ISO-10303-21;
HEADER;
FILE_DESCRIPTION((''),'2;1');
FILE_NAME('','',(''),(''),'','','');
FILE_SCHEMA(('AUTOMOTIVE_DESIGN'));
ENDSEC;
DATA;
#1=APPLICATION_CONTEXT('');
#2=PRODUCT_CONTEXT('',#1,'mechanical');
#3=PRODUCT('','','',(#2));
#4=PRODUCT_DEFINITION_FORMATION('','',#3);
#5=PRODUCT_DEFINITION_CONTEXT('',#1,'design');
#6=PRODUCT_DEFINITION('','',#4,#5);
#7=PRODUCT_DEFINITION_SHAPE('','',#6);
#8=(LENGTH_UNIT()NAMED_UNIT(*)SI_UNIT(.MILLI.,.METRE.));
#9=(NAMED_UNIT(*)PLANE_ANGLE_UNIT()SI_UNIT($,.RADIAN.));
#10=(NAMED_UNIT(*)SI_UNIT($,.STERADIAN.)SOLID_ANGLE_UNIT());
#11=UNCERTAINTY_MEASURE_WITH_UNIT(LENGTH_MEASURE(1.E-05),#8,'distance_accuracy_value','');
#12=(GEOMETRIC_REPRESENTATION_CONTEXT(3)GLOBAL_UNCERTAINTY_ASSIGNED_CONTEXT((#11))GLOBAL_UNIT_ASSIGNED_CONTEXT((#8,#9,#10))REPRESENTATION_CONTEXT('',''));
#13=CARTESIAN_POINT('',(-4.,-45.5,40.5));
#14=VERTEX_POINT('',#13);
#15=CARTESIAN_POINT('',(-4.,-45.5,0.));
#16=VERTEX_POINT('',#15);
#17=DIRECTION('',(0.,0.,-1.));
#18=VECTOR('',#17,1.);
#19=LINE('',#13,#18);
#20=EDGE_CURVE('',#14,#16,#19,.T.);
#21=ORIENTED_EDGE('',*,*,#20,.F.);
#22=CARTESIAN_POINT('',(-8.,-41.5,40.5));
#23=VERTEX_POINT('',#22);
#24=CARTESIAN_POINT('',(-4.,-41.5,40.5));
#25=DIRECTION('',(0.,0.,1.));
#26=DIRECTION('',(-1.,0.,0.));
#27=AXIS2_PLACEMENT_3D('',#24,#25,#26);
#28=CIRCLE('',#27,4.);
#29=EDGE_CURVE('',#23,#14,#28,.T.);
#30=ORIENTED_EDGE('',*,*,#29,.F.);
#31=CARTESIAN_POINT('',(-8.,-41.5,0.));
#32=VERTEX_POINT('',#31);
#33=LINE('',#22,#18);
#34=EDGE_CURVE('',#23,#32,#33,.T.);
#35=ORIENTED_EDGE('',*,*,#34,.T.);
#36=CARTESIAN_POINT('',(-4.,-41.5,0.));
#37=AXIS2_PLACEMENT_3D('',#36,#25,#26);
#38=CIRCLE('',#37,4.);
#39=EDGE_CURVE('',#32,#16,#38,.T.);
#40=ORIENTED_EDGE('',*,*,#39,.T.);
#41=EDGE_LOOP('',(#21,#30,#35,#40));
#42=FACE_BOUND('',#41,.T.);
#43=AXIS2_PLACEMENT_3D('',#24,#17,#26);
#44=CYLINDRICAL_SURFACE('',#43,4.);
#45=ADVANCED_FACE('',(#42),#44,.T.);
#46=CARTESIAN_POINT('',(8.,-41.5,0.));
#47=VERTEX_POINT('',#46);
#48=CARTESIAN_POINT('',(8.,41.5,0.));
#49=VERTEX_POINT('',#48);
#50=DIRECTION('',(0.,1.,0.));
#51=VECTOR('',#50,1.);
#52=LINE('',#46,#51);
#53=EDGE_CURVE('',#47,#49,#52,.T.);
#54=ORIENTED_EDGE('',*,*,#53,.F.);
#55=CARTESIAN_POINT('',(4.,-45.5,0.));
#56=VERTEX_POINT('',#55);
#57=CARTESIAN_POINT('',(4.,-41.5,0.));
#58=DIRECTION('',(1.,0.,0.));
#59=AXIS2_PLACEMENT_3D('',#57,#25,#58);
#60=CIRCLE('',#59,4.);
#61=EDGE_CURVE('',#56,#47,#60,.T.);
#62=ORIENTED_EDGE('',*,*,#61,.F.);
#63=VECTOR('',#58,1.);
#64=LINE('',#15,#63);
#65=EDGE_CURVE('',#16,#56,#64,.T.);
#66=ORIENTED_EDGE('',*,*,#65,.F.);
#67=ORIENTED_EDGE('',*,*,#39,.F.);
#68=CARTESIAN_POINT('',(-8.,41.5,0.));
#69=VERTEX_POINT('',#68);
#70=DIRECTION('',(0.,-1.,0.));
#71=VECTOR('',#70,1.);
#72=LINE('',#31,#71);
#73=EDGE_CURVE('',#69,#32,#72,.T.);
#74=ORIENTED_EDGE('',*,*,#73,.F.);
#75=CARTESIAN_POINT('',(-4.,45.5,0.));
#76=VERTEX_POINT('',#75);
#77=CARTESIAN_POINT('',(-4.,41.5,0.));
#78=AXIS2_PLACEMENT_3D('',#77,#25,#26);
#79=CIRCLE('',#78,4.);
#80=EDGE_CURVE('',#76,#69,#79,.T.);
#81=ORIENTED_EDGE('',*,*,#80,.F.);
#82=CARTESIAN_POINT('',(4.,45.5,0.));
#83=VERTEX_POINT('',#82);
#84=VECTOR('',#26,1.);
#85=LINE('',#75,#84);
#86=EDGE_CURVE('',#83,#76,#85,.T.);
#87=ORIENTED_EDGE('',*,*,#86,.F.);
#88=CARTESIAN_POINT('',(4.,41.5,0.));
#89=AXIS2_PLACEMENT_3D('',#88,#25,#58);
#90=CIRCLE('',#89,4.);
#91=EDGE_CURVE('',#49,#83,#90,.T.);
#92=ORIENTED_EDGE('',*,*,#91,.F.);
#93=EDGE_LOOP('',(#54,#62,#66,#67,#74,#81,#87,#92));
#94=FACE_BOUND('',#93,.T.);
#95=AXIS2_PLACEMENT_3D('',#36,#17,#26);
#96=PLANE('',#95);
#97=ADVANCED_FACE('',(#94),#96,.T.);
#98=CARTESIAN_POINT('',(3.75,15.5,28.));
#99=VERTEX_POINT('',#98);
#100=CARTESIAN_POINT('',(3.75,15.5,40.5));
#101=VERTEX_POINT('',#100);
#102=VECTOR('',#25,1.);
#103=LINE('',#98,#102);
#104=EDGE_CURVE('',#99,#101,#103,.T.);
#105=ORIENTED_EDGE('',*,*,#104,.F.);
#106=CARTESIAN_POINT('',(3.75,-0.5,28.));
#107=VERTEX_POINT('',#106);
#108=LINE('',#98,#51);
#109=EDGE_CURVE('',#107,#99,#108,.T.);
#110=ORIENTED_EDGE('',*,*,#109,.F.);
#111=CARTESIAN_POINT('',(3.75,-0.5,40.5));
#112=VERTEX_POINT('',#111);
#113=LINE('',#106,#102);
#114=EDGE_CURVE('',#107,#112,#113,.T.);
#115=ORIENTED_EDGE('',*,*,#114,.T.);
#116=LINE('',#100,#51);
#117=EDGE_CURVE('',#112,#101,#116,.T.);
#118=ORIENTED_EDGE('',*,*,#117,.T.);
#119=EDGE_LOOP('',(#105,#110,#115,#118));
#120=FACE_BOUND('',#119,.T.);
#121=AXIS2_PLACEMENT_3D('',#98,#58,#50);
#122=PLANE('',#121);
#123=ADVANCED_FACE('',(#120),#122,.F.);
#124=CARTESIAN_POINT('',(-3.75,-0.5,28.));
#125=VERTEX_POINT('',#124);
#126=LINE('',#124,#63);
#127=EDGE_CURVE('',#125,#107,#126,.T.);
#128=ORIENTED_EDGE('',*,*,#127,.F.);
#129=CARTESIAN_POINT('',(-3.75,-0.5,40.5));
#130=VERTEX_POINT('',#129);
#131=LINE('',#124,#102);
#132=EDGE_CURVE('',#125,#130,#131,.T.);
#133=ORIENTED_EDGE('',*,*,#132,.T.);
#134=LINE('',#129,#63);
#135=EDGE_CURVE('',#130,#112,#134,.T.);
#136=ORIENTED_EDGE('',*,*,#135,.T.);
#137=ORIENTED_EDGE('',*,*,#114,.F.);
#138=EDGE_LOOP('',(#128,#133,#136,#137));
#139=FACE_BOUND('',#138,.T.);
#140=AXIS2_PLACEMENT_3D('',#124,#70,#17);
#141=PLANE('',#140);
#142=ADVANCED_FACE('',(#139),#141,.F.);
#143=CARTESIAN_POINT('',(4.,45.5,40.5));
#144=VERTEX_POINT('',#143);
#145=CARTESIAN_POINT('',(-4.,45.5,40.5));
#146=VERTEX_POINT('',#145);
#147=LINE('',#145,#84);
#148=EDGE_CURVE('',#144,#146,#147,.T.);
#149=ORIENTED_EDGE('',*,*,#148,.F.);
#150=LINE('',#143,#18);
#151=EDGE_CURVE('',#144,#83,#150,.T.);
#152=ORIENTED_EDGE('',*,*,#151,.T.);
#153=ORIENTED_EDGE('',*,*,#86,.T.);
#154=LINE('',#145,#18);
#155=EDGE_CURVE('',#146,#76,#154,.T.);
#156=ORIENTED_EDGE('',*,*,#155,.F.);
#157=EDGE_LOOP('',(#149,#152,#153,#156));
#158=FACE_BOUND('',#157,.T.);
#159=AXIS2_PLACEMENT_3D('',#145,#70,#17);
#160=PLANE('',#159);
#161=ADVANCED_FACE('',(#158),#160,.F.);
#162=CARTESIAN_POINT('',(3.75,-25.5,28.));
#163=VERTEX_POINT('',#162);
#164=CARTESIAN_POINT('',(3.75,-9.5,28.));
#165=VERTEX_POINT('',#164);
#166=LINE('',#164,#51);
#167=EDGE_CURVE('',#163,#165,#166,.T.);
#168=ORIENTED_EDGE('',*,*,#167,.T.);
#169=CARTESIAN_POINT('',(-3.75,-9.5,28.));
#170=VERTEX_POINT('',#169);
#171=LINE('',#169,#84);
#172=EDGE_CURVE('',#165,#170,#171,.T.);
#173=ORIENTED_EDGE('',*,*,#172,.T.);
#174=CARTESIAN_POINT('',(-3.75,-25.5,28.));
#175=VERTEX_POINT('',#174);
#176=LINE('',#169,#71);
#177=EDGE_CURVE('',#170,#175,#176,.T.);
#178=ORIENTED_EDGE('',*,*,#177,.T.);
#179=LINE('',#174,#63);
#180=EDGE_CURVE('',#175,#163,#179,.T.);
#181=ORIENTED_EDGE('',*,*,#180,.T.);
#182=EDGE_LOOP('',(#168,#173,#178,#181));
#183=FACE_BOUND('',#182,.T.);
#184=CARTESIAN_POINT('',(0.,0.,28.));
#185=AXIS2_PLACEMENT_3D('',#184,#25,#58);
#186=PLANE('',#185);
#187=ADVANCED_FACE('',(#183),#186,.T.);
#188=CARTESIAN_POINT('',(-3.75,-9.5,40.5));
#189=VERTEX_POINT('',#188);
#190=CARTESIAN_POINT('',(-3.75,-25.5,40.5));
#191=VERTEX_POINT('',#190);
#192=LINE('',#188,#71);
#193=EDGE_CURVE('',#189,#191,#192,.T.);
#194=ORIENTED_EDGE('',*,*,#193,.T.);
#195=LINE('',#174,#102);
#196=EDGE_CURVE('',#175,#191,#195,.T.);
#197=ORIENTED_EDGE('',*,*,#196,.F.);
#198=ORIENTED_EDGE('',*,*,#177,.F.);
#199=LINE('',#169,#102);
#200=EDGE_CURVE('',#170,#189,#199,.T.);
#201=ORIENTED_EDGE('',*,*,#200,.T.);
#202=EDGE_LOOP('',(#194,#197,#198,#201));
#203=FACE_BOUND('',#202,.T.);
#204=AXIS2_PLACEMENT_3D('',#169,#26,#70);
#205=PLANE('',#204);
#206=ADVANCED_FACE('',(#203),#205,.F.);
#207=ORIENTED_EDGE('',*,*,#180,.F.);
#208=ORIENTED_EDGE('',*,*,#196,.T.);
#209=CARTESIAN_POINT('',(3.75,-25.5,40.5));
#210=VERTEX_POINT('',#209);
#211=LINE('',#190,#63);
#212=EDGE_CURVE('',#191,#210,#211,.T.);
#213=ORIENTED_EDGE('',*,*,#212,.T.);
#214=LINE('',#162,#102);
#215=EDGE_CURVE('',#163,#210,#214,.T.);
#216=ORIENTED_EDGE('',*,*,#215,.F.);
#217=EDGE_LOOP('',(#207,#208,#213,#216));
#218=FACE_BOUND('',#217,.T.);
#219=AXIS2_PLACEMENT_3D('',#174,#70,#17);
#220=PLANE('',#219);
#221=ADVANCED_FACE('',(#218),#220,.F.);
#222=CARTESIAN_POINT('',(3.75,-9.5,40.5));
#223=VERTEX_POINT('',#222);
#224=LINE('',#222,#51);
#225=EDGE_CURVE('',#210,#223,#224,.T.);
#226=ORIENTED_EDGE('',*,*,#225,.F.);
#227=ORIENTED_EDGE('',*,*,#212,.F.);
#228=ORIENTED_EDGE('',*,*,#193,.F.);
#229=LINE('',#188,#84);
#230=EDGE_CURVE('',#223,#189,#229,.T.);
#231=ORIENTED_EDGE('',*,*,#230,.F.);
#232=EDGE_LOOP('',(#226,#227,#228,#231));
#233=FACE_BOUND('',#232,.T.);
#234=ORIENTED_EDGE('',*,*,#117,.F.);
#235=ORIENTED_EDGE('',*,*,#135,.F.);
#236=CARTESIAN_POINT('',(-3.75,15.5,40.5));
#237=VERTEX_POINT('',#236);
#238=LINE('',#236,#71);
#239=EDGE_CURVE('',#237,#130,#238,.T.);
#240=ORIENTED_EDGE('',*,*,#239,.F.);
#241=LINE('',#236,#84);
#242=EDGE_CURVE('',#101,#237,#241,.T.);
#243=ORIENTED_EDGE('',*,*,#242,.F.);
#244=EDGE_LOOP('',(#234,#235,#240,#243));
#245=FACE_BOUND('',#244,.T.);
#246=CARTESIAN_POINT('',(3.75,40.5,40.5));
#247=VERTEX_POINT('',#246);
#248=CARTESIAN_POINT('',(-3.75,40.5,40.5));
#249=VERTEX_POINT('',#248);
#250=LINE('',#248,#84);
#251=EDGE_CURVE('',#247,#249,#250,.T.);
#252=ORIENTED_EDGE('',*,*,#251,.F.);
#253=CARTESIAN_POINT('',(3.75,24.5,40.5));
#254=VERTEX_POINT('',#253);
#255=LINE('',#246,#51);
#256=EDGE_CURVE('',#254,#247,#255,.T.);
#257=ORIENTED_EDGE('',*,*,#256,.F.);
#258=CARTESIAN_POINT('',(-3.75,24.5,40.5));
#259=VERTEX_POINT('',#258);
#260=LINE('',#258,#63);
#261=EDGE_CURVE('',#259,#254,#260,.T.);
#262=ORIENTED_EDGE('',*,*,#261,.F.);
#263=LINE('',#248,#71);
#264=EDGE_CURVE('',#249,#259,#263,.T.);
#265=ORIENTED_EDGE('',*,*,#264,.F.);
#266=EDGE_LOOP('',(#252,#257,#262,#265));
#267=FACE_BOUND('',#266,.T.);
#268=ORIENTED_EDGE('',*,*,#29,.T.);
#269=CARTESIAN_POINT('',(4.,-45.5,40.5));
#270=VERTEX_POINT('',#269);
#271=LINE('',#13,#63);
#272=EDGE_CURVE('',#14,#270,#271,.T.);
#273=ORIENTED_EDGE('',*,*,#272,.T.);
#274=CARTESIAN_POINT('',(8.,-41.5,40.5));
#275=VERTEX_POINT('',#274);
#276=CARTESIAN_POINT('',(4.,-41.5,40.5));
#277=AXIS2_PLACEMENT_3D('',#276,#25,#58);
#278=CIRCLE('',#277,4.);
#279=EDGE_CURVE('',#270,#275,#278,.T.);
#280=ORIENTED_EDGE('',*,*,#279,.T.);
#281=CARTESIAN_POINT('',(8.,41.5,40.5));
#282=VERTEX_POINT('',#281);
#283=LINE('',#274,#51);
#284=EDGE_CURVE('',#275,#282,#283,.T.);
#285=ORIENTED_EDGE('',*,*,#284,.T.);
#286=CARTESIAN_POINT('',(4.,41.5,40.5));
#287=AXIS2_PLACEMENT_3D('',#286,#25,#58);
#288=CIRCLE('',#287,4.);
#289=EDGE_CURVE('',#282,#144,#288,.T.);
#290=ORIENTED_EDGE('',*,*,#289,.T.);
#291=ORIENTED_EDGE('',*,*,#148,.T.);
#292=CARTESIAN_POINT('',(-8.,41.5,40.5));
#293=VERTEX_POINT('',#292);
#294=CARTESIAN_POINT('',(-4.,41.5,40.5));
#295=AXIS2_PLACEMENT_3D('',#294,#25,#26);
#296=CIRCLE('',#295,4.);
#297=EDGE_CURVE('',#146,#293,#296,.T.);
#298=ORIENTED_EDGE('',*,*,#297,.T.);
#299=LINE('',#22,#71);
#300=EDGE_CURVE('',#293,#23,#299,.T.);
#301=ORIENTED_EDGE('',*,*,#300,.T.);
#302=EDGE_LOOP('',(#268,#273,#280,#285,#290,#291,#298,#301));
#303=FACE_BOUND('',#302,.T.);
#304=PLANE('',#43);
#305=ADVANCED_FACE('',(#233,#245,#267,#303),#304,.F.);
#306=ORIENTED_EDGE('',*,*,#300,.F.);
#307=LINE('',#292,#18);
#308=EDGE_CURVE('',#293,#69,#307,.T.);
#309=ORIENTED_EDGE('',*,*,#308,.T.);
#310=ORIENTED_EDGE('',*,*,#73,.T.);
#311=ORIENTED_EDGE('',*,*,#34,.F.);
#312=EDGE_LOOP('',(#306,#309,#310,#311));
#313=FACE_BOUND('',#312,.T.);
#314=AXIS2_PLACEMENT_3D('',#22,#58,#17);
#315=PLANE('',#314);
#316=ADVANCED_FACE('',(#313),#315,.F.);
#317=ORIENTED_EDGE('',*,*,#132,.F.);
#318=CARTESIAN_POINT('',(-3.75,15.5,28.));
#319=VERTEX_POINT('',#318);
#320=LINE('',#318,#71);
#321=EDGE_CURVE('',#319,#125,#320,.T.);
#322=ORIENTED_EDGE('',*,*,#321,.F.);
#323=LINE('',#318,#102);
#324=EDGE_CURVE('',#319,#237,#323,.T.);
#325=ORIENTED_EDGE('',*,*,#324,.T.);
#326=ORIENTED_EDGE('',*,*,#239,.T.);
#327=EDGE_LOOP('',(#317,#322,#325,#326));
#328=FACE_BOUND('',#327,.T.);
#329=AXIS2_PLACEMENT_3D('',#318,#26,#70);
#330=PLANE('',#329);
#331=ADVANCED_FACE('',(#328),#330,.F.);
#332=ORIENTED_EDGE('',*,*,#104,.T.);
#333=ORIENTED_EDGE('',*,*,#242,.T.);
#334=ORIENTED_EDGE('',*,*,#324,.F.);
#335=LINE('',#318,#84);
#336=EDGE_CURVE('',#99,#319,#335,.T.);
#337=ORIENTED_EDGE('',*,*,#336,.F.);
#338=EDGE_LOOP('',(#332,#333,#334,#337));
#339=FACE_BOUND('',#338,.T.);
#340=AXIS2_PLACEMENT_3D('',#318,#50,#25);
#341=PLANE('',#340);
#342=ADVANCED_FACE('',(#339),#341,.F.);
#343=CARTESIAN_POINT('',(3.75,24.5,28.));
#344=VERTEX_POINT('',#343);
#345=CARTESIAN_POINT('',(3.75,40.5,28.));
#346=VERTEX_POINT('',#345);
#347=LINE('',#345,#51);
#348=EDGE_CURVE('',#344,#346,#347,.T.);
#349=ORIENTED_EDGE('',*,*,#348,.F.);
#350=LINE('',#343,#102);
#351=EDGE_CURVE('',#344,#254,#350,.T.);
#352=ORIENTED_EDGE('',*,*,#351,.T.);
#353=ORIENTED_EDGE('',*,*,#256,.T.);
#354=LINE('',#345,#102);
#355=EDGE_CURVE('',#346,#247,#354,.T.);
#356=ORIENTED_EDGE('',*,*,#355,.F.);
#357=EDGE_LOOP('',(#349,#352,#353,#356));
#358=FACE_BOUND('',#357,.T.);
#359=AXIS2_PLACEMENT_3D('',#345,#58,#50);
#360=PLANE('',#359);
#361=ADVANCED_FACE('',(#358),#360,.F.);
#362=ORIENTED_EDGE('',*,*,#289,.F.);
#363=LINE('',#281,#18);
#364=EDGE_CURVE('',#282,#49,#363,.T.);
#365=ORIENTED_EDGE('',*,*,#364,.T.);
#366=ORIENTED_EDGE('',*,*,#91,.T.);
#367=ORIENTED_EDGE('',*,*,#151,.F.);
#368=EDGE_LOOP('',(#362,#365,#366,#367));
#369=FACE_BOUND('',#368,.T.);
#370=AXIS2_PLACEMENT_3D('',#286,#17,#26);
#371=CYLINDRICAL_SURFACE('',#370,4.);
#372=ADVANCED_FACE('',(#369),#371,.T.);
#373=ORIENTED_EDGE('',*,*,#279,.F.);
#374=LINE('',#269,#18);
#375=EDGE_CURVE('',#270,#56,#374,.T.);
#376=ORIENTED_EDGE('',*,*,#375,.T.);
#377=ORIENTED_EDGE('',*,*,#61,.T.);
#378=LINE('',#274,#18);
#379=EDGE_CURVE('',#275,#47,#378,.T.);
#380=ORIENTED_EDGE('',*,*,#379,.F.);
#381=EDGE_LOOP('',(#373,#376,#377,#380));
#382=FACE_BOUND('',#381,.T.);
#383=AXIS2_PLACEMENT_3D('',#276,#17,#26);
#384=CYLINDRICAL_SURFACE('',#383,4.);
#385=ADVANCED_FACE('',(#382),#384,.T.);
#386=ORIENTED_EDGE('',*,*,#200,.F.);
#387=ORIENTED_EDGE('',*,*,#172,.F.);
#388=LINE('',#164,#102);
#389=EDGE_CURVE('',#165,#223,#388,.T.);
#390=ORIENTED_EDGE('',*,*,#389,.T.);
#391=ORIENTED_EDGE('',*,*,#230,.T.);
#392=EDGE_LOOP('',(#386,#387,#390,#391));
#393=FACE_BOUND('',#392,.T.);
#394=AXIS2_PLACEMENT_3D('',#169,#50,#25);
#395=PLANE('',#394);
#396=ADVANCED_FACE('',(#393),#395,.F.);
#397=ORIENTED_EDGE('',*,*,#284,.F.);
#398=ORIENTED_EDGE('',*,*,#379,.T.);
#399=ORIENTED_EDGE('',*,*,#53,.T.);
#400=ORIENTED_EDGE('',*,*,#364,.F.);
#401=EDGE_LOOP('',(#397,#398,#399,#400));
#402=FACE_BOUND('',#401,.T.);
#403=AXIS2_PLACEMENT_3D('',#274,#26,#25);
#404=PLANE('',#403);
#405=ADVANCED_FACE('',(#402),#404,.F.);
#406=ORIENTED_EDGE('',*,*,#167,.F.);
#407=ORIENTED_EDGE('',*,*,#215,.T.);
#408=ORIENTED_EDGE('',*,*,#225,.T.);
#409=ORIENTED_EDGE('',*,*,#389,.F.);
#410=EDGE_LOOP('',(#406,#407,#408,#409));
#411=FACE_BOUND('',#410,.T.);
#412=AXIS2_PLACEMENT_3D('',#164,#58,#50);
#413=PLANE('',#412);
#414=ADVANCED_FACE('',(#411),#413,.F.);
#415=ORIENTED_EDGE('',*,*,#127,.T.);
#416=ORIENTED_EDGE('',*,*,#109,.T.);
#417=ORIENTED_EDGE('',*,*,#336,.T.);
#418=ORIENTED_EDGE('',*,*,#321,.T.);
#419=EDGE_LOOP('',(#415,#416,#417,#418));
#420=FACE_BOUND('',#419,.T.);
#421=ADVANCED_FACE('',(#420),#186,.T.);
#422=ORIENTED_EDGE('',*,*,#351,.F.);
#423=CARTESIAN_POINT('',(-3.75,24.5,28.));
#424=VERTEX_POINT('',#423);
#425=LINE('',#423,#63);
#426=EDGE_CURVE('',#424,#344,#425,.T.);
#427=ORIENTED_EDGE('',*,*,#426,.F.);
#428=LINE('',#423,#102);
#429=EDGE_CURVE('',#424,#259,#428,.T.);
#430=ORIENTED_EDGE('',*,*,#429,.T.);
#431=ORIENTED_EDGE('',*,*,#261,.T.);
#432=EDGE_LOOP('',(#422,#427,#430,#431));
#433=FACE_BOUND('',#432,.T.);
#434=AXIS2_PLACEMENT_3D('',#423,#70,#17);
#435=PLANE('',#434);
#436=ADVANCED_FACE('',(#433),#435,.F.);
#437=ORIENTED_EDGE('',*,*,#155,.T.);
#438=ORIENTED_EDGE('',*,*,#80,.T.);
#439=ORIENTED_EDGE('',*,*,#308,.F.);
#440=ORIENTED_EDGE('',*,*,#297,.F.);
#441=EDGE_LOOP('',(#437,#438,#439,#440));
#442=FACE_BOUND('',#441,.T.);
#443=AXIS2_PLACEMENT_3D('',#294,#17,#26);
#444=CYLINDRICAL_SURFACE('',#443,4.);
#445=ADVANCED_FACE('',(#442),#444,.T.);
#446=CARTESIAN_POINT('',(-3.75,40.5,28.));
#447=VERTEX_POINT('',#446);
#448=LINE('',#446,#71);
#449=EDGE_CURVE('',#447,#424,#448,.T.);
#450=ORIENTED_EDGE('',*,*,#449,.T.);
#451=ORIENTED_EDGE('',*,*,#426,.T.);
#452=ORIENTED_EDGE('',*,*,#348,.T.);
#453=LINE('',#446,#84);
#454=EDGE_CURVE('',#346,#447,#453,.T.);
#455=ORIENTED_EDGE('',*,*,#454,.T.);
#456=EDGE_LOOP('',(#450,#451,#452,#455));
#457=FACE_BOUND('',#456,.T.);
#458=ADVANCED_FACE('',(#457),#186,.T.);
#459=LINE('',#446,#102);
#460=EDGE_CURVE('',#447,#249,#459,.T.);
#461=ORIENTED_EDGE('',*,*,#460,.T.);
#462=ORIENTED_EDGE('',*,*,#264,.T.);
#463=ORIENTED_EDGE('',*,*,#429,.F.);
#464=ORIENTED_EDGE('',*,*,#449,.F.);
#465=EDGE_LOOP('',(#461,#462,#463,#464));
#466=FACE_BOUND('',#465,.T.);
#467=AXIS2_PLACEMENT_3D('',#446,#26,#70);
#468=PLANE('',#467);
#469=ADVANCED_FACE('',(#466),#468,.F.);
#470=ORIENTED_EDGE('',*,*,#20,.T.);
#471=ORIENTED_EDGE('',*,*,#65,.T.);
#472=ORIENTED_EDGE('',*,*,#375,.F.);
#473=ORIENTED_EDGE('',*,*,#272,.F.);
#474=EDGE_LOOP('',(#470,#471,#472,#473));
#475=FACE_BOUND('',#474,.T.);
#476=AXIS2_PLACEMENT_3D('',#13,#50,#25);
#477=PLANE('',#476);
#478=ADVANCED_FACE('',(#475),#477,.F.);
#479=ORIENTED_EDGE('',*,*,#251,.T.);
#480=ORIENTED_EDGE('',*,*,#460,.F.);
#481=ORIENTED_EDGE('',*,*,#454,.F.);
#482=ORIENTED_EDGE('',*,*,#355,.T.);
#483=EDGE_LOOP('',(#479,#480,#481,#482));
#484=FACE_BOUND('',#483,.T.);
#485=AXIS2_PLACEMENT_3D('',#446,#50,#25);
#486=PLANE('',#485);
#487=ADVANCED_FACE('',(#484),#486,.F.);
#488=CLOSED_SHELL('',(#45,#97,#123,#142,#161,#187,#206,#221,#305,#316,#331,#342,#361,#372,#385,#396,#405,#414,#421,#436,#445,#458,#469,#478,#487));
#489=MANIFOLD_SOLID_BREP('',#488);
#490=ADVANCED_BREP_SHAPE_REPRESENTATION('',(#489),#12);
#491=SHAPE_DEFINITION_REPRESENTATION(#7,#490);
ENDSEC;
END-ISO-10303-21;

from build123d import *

# Parameters (mm, degrees)
BOSS_EXTRUDE1_DEPTH = 40.5
SKETCH2_W           = 7.5
SKETCH2_H           = 16
CUT_EXTRUDE1_DEPTH  = 12.5


with BuildPart() as part:
    # Sketch1 → Boss-Extrude1 (new body)
    with BuildSketch(Plane.XY):
        with BuildLine():
            Line((-4, -45.5), (4, -45.5))
            ThreePointArc((4, -45.5), (6.828427125, -44.328427125), (8, -41.5))
            Line((8, -41.5), (8, 41.5))
            ThreePointArc((8, 41.5), (6.828427125, 44.328427125), (4, 45.5))
            Line((4, 45.5), (-4, 45.5))
            ThreePointArc((-4, 45.5), (-6.828427125, 44.328427125), (-8, 41.5))
            Line((-8, 41.5), (-8, -41.5))
            ThreePointArc((-8, -41.5), (-6.828427125, -44.328427125), (-4, -45.5))
        make_face()
    extrude(amount=BOSS_EXTRUDE1_DEPTH)

    # Sketch2 → Cut-Extrude1 (cut)
    with BuildSketch(Plane.XY.offset(40.5)):
        with Locations((0, 7.5)):
            Rectangle(SKETCH2_W, SKETCH2_H)
        with Locations((0, 32.5)):
            Rectangle(SKETCH2_W, SKETCH2_H)
        with Locations((0, -17.5)):
            Rectangle(SKETCH2_W, SKETCH2_H)
    extrude(amount=-CUT_EXTRUDE1_DEPTH, mode=Mode.SUBTRACT)


solid = part.part
